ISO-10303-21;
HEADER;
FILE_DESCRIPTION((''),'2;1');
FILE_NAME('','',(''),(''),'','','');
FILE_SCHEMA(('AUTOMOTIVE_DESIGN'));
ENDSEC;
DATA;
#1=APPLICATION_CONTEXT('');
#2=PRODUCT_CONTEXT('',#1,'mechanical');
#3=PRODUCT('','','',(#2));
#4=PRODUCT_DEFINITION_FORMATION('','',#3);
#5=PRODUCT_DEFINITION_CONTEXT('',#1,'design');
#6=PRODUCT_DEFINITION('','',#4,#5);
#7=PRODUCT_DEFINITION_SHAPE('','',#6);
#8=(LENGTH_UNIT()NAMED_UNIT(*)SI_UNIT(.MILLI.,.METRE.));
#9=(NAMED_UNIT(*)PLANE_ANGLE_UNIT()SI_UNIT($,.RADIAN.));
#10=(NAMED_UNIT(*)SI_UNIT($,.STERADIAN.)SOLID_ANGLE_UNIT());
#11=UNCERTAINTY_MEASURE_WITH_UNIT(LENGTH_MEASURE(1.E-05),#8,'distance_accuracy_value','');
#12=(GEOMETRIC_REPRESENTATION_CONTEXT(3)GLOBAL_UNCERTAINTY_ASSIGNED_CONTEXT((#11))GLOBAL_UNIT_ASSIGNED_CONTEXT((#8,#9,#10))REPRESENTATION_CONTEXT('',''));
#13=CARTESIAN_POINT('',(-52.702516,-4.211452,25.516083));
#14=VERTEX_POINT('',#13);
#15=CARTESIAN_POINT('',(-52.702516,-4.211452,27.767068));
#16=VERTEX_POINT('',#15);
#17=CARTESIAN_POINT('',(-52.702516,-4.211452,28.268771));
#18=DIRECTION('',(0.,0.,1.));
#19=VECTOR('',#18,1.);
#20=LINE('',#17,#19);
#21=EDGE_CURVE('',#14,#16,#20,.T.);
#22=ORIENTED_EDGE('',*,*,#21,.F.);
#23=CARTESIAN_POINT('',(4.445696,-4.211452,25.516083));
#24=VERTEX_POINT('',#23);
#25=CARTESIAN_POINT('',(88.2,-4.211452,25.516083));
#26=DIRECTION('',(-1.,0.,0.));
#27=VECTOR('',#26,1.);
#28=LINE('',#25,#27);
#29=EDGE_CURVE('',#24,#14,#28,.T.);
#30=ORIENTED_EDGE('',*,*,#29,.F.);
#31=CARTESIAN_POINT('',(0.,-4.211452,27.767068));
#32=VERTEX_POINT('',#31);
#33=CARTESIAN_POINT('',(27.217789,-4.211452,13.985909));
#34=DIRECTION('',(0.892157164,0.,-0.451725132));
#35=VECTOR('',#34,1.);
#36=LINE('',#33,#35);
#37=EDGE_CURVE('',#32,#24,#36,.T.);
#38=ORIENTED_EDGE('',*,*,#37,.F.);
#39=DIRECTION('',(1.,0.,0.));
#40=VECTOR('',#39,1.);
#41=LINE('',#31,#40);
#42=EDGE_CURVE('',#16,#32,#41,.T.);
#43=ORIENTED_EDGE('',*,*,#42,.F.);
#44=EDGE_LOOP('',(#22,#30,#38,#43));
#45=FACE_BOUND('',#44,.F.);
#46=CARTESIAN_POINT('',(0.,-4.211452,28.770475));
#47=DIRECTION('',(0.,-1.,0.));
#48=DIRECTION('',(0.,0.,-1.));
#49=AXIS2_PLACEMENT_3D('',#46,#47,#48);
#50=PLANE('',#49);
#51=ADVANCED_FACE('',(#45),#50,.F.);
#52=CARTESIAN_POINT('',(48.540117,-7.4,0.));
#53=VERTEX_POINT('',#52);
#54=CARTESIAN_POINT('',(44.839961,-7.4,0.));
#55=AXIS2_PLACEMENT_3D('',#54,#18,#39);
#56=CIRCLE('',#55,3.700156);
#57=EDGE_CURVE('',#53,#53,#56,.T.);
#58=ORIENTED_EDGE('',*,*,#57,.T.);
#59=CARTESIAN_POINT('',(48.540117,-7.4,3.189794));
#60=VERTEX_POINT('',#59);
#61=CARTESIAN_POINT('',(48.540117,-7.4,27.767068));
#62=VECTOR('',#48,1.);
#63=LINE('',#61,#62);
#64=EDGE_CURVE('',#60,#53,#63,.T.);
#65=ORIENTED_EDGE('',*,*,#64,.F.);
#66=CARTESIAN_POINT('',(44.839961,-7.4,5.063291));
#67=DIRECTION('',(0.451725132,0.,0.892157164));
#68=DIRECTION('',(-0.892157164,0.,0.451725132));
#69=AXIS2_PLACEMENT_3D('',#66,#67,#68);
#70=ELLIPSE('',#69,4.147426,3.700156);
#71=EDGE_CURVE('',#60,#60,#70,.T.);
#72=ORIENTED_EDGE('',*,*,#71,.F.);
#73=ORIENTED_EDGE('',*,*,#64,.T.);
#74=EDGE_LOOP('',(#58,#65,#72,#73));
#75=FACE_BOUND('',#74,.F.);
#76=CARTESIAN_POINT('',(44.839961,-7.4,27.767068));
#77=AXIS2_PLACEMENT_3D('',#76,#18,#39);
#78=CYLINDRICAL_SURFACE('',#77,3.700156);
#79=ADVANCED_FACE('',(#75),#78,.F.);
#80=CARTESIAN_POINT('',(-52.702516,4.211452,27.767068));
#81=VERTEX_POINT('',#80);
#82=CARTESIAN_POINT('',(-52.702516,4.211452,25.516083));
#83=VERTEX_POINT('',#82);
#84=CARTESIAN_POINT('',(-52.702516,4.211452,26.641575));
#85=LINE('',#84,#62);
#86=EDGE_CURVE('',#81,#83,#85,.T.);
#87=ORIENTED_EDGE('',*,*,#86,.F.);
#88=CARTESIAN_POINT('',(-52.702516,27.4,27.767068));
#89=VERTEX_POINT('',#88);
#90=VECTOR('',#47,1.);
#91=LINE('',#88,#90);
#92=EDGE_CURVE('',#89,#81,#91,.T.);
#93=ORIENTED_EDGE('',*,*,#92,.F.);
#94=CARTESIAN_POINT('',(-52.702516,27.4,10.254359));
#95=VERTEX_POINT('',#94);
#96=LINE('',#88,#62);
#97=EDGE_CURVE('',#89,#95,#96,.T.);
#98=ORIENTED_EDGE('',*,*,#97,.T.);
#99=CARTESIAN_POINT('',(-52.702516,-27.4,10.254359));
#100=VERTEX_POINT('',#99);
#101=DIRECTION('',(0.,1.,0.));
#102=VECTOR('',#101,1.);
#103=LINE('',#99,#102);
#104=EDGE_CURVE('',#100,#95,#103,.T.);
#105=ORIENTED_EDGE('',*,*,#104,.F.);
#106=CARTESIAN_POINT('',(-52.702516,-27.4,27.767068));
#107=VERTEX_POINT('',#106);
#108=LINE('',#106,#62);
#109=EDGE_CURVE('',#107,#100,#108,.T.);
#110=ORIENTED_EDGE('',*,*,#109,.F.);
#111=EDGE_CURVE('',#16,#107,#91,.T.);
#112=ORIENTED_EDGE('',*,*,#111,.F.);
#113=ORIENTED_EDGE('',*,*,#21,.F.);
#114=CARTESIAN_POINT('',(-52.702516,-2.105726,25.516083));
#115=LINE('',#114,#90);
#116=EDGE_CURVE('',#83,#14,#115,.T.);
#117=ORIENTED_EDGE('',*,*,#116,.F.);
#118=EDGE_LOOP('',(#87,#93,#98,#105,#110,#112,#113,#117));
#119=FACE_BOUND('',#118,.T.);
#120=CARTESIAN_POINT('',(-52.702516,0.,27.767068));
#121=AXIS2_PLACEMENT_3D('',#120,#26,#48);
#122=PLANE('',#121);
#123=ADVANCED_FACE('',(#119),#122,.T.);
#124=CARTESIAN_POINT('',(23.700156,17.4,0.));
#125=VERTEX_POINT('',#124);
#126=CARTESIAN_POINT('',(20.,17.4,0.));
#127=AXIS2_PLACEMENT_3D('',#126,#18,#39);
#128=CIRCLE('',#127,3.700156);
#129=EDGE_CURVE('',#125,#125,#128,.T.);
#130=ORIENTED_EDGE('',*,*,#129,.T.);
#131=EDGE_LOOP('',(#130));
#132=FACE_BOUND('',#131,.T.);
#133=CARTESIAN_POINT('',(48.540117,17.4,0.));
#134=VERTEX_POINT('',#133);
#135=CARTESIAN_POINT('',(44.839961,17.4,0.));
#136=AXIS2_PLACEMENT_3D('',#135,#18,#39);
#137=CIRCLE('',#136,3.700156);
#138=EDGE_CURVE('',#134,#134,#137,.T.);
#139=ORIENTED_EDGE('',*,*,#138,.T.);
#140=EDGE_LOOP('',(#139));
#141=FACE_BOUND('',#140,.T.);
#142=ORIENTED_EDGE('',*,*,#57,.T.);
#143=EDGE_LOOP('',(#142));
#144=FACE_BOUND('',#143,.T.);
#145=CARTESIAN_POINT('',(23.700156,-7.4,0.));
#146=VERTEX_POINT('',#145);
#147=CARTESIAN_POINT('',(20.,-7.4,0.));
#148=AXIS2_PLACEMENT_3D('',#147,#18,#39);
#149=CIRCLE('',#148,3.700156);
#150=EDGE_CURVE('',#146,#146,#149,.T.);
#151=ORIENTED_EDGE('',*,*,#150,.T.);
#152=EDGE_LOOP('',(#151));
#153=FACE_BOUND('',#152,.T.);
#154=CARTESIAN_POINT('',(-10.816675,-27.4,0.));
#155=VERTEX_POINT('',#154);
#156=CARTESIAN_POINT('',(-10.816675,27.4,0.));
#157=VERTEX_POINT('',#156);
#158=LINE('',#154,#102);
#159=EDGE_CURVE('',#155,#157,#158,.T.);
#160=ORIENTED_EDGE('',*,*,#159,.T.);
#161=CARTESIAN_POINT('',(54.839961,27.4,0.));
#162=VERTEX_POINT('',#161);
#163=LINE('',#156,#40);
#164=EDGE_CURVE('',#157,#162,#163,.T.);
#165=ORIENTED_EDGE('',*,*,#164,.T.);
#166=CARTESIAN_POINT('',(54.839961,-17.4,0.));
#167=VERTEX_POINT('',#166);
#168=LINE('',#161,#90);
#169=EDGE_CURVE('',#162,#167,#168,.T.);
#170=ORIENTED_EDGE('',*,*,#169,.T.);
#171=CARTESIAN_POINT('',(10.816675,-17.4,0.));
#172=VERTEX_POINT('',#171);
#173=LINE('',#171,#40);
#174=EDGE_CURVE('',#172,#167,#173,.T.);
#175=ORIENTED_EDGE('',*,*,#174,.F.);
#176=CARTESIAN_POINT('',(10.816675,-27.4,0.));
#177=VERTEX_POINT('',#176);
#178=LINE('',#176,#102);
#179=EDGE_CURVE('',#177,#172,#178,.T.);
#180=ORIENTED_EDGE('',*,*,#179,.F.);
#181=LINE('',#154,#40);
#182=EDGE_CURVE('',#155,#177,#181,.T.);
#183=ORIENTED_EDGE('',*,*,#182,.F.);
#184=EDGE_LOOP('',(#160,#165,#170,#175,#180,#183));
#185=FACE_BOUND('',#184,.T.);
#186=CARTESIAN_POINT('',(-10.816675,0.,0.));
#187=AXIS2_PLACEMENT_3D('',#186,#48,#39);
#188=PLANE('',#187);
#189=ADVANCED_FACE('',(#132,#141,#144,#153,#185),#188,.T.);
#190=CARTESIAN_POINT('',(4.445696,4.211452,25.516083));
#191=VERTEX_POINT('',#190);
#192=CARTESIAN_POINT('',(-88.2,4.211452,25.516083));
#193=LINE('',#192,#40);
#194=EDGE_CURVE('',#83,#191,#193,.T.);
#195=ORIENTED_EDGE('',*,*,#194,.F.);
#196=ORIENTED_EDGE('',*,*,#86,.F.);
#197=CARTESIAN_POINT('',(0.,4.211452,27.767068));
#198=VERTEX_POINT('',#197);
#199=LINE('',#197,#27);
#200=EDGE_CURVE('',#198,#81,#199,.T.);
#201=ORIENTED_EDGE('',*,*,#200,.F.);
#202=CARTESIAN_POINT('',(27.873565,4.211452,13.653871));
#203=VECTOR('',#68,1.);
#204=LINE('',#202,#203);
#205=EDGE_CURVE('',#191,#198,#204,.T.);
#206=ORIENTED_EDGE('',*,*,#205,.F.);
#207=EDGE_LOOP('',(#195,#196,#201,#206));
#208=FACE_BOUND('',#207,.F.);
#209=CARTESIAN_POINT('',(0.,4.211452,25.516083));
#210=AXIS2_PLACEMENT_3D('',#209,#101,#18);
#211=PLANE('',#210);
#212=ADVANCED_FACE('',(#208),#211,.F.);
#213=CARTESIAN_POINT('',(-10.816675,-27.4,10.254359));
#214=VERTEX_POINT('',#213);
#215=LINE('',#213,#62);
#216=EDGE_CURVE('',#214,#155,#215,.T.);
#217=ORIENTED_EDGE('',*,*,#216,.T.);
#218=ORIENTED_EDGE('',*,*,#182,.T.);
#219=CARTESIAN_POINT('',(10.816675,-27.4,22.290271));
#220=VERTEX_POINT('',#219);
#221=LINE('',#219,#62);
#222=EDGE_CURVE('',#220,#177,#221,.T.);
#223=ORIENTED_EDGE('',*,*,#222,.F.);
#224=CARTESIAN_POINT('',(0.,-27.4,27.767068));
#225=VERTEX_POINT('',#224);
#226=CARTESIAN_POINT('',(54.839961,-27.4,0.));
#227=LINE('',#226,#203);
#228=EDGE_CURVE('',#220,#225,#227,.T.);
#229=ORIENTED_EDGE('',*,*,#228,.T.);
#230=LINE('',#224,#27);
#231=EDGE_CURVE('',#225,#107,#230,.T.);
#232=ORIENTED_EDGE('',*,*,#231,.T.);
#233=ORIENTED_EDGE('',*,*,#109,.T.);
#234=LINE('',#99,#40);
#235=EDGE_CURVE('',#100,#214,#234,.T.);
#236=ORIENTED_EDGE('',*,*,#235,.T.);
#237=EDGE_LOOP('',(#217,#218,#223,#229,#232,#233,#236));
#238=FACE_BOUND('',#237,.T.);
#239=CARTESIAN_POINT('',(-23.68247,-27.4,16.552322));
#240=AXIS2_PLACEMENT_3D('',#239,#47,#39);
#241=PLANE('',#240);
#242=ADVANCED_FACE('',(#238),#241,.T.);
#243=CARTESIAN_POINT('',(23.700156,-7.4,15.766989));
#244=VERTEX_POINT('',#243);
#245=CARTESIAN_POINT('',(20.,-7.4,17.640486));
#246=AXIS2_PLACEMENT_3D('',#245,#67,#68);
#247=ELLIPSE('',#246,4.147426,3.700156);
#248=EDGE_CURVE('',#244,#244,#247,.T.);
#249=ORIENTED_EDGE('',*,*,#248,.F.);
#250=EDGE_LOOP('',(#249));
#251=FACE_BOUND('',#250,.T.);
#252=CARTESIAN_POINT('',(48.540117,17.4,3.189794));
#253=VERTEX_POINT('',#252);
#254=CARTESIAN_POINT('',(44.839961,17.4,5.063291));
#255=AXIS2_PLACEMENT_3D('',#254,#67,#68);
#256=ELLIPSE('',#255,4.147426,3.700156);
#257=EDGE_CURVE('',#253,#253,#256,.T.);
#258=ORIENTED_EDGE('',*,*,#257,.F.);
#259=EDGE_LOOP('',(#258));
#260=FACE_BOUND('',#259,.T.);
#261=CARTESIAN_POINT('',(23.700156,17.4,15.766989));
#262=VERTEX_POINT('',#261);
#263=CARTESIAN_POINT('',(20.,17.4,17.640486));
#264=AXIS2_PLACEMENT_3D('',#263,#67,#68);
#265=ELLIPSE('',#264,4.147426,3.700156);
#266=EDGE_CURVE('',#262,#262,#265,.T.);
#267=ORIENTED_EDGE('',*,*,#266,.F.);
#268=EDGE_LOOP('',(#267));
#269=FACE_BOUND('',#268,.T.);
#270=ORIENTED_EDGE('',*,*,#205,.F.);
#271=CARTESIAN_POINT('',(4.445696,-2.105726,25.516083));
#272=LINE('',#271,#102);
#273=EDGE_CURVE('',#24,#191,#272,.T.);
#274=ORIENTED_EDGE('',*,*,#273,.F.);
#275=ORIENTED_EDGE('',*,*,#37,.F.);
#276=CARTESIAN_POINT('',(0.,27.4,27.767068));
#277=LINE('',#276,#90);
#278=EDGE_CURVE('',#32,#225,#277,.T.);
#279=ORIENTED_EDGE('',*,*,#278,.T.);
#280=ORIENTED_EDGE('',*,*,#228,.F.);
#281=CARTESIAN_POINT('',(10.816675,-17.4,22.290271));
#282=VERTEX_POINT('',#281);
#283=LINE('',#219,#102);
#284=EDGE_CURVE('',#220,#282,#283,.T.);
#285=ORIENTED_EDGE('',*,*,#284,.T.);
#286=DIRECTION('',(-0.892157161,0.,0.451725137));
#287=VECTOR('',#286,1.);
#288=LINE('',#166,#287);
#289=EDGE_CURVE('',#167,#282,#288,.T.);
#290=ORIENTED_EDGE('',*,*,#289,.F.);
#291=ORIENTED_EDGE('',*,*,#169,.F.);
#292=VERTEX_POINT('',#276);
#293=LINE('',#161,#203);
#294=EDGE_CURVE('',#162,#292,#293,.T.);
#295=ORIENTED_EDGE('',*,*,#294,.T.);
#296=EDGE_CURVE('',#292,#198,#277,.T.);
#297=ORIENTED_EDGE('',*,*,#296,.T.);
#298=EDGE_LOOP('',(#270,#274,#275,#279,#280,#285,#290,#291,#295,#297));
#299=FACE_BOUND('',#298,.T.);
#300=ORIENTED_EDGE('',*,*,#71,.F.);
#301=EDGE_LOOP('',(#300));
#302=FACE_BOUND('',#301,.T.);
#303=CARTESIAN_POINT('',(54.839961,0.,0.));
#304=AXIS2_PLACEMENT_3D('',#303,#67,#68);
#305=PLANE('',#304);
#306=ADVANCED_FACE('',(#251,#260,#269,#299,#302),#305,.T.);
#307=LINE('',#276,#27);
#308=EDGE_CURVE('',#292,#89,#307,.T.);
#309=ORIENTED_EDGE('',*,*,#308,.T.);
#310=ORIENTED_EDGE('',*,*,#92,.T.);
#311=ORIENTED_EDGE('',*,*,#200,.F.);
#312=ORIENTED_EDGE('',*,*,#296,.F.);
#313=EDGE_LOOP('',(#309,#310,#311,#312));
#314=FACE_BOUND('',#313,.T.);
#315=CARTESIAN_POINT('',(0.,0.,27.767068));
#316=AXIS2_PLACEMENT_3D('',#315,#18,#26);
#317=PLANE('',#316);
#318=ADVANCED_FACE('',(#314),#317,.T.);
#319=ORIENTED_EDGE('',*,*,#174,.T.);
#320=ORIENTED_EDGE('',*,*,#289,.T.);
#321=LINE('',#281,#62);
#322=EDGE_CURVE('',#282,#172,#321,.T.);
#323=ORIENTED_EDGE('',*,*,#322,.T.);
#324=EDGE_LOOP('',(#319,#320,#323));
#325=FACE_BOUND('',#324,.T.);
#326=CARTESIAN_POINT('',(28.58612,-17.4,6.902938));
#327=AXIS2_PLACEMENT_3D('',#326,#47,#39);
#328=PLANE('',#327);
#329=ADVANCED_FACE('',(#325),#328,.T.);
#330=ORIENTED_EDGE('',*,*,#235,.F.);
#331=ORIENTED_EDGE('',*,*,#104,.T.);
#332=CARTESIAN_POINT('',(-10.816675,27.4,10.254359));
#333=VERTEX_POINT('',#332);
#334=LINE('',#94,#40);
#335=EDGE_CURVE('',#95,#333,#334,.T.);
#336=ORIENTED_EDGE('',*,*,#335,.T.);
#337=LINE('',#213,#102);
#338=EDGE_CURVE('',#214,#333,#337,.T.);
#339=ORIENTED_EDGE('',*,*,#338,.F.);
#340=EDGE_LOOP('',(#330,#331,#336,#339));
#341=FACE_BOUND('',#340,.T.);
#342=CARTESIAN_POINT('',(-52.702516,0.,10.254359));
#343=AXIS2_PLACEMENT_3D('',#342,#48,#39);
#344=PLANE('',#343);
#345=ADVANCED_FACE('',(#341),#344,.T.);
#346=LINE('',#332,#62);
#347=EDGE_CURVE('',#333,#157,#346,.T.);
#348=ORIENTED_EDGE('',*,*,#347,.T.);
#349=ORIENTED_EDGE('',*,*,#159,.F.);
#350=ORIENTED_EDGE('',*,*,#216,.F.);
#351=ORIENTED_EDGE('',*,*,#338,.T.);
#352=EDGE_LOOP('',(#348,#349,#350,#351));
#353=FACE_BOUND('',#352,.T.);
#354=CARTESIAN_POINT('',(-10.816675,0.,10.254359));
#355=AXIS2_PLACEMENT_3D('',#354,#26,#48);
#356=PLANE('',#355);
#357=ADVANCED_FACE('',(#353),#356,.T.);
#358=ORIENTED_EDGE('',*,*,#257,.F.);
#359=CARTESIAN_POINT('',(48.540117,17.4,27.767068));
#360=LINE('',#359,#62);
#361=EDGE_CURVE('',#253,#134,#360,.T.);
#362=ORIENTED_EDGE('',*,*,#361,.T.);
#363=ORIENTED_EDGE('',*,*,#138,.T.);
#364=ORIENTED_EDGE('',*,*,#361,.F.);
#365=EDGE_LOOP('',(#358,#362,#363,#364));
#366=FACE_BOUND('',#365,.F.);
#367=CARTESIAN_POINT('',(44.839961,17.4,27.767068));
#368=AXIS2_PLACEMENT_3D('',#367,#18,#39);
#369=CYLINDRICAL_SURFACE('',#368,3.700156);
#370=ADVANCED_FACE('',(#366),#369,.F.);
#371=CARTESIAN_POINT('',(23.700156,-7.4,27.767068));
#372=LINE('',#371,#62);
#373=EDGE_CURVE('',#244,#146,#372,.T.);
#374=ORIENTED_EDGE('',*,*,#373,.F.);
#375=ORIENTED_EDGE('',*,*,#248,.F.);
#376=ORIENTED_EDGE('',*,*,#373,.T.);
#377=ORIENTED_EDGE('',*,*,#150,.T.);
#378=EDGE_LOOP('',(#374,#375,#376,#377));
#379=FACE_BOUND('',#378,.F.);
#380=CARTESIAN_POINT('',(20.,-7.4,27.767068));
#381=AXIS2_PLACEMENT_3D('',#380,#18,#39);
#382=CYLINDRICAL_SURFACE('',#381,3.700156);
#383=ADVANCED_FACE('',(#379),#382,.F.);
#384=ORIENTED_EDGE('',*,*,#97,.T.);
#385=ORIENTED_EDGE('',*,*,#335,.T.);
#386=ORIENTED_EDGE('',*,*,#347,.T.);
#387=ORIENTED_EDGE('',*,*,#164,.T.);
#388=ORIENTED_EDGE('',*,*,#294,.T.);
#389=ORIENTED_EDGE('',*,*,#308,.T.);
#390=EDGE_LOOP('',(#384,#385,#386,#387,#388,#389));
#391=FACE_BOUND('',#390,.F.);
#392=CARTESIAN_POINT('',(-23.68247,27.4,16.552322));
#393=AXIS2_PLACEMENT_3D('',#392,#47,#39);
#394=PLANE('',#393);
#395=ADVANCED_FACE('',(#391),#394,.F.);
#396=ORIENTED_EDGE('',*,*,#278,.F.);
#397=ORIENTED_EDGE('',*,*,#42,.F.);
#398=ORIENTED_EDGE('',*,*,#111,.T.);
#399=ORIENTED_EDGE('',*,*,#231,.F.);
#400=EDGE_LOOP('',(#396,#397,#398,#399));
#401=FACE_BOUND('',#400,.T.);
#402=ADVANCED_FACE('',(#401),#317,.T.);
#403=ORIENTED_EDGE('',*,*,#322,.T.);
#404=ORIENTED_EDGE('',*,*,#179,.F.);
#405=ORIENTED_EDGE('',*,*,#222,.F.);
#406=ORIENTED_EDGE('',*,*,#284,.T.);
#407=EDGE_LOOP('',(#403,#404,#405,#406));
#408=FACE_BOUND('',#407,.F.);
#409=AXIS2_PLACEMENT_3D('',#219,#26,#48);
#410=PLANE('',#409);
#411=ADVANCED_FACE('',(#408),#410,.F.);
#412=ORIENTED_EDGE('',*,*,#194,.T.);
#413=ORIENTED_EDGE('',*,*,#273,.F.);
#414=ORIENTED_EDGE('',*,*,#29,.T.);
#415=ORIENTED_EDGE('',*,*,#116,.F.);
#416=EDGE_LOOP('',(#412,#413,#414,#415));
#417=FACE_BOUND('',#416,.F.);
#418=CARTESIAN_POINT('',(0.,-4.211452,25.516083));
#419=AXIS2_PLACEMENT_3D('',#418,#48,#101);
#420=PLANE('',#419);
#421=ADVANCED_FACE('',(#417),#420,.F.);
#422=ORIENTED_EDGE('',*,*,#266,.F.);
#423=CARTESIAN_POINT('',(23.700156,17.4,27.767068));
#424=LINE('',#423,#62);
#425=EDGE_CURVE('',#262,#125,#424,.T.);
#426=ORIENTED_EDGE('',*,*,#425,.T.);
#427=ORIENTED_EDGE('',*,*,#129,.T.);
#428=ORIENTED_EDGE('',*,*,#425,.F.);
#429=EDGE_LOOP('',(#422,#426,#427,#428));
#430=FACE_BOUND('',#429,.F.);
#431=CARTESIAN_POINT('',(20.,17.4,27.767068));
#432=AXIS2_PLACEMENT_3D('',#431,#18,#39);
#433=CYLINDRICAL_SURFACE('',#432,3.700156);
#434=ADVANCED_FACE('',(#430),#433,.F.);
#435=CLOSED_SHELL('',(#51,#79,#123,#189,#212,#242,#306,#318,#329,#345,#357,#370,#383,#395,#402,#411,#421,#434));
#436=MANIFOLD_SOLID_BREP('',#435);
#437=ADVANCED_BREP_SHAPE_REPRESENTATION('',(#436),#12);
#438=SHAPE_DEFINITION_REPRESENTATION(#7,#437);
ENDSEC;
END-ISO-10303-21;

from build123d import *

# Parameters (mm, degrees)
F1_DEPTH = 27.4
F3_DEPTH = 10
F5_DEPTH = 88.2
F6_R     = 3.700156
F7_DEPTH = 27.768068


with BuildPart() as f1:
    # F0 (on Front) → F1 (new body, symmetric)
    with BuildSketch(Plane.XZ):
        Polygon((-10.816675, 0), (0, 0), (0, 27.767068), (-52.702516, 27.767068), (-52.702516, 10.254359), (-10.816675, 10.254359), align=None)
        Polygon((0, 27.767068), (0, 0), (10.816675, 0), (54.839961, 0), align=None)
    extrude(amount=F1_DEPTH, both=True)

    # F2 (on face) → F3 (cut)
    with BuildSketch(Plane.XZ.offset(27.4)):
        Polygon((10.816675, 22.290271), (10.816675, 0), (54.839961, 0), align=None)
    extrude(amount=-F3_DEPTH, mode=Mode.SUBTRACT)

    # F4 (on Right) → F5 (cut, symmetric)
    with BuildSketch(Plane.YZ):
        Polygon((-4.211452, 25.516083), (0, 25.516083), (4.211452, 25.516083), (4.211452, 28.770475), (-4.211452, 28.770475), align=None)
    extrude(amount=F5_DEPTH, both=True, mode=Mode.SUBTRACT)

    # F6 (on face) → F7 (cut, through all)
    with BuildSketch(Plane.XY.offset(27.767068)):
        with Locations((20, 17.4)):
            Circle(F6_R)
        with Locations((44.839961, 17.4)):
            Circle(F6_R)
        with Locations((44.839961, -7.4)):
            Circle(F6_R)
        with Locations((20, -7.4)):
            Circle(F6_R)
    extrude(amount=-F7_DEPTH, mode=Mode.SUBTRACT)


solid = f1.part
